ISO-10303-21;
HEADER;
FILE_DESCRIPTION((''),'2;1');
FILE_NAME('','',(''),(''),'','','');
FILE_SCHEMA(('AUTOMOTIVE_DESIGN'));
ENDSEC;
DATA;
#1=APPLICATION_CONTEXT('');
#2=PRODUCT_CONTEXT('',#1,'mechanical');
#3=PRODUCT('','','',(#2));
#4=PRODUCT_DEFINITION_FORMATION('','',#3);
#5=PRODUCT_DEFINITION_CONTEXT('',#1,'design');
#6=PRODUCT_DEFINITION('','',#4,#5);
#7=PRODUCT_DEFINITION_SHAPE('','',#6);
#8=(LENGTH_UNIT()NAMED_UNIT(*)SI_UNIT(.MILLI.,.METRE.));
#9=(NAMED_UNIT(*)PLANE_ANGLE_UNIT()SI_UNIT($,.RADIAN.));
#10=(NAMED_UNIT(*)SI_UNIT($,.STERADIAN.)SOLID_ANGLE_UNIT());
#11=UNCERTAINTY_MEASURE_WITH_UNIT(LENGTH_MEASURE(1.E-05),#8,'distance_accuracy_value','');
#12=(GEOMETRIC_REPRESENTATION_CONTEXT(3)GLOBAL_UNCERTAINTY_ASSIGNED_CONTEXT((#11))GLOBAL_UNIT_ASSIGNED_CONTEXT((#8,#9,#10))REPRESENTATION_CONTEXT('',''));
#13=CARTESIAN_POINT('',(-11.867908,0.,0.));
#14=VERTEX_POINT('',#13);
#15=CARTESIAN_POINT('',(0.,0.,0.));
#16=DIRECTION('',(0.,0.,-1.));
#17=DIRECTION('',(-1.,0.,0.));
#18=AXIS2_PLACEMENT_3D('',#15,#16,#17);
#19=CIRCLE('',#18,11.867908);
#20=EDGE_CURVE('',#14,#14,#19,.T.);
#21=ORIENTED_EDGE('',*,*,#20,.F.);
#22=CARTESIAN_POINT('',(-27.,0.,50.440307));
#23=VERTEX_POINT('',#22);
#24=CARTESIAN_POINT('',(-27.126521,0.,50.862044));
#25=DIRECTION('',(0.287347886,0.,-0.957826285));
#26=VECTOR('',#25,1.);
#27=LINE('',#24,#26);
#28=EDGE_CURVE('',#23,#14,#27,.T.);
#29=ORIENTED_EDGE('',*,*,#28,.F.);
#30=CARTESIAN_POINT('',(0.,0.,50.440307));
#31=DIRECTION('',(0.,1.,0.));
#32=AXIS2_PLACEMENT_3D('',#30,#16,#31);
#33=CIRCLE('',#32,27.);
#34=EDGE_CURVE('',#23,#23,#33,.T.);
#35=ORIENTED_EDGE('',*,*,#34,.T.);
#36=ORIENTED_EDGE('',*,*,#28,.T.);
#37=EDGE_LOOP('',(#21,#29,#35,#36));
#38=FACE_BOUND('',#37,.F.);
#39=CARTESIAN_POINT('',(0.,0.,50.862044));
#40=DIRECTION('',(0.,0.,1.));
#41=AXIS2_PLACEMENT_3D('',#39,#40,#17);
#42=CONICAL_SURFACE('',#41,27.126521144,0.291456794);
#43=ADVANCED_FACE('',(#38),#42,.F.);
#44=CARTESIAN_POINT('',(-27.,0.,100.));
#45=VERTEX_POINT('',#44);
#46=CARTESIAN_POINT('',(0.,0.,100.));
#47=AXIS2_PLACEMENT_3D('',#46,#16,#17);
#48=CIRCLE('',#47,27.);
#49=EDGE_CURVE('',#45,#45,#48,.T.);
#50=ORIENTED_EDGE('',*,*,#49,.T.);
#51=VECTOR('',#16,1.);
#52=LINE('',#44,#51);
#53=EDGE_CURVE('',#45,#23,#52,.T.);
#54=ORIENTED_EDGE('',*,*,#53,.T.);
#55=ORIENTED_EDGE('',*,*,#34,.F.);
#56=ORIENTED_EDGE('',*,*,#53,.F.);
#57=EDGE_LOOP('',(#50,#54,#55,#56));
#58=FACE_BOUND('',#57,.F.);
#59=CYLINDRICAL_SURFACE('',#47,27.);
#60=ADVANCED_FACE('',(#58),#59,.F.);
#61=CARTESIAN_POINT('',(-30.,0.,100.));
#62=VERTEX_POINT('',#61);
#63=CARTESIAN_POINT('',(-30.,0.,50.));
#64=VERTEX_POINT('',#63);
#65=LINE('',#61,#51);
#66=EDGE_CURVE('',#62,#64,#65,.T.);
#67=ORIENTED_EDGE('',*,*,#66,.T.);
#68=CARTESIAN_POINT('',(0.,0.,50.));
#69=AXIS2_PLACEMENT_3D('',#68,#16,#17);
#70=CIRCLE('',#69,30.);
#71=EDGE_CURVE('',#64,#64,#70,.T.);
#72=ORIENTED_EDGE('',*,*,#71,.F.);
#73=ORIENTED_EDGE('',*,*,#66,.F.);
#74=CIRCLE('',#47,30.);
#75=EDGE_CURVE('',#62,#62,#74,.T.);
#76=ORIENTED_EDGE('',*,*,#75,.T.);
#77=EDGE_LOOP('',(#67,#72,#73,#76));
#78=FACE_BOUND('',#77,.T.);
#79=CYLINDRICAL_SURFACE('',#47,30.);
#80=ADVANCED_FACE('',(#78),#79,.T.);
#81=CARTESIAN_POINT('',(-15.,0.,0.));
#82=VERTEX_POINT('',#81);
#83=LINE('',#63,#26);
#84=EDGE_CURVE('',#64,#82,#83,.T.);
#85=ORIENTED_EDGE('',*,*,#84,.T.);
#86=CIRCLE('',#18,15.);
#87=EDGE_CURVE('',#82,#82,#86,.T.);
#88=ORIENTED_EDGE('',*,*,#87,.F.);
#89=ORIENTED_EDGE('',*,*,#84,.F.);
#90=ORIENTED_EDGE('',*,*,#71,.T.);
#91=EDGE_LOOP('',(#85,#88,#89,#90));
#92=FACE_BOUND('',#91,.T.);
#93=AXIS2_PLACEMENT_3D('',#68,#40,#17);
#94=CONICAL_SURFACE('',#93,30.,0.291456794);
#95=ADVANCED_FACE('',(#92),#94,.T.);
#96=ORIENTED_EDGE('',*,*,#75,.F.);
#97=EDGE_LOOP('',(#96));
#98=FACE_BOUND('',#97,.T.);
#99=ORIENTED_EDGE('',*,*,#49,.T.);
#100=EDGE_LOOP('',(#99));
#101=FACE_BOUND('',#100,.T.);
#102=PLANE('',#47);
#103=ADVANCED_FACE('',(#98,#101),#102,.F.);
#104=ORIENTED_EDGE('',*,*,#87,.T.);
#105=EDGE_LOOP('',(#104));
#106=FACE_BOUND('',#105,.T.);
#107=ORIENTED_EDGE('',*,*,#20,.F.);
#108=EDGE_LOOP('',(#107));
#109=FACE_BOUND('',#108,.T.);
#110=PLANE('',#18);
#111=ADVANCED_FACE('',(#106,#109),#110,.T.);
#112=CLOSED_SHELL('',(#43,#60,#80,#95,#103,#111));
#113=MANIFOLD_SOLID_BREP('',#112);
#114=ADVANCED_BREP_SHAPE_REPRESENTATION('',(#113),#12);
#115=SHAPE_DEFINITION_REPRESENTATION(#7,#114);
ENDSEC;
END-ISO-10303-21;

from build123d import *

# Parameters (mm, degrees)
F2_T = -3


with BuildPart() as f1:
    # F0 (on Front) → F1 (revolve)
    with BuildSketch(Plane.XZ):
        Polygon((0, 0), (0, 100), (-30, 100), (-30, 50), (-15, 0), align=None)
    revolve(axis=Axis((0, 0, 50), (0, 0, -1)))

    # F2
    f2_openings = [f1.faces().sort_by_distance(p)[0] for p in [
        (0, 0, 100),
        (0, 0, 0),
    ]]
    offset(amount=F2_T, openings=f2_openings)


solid = f1.part
